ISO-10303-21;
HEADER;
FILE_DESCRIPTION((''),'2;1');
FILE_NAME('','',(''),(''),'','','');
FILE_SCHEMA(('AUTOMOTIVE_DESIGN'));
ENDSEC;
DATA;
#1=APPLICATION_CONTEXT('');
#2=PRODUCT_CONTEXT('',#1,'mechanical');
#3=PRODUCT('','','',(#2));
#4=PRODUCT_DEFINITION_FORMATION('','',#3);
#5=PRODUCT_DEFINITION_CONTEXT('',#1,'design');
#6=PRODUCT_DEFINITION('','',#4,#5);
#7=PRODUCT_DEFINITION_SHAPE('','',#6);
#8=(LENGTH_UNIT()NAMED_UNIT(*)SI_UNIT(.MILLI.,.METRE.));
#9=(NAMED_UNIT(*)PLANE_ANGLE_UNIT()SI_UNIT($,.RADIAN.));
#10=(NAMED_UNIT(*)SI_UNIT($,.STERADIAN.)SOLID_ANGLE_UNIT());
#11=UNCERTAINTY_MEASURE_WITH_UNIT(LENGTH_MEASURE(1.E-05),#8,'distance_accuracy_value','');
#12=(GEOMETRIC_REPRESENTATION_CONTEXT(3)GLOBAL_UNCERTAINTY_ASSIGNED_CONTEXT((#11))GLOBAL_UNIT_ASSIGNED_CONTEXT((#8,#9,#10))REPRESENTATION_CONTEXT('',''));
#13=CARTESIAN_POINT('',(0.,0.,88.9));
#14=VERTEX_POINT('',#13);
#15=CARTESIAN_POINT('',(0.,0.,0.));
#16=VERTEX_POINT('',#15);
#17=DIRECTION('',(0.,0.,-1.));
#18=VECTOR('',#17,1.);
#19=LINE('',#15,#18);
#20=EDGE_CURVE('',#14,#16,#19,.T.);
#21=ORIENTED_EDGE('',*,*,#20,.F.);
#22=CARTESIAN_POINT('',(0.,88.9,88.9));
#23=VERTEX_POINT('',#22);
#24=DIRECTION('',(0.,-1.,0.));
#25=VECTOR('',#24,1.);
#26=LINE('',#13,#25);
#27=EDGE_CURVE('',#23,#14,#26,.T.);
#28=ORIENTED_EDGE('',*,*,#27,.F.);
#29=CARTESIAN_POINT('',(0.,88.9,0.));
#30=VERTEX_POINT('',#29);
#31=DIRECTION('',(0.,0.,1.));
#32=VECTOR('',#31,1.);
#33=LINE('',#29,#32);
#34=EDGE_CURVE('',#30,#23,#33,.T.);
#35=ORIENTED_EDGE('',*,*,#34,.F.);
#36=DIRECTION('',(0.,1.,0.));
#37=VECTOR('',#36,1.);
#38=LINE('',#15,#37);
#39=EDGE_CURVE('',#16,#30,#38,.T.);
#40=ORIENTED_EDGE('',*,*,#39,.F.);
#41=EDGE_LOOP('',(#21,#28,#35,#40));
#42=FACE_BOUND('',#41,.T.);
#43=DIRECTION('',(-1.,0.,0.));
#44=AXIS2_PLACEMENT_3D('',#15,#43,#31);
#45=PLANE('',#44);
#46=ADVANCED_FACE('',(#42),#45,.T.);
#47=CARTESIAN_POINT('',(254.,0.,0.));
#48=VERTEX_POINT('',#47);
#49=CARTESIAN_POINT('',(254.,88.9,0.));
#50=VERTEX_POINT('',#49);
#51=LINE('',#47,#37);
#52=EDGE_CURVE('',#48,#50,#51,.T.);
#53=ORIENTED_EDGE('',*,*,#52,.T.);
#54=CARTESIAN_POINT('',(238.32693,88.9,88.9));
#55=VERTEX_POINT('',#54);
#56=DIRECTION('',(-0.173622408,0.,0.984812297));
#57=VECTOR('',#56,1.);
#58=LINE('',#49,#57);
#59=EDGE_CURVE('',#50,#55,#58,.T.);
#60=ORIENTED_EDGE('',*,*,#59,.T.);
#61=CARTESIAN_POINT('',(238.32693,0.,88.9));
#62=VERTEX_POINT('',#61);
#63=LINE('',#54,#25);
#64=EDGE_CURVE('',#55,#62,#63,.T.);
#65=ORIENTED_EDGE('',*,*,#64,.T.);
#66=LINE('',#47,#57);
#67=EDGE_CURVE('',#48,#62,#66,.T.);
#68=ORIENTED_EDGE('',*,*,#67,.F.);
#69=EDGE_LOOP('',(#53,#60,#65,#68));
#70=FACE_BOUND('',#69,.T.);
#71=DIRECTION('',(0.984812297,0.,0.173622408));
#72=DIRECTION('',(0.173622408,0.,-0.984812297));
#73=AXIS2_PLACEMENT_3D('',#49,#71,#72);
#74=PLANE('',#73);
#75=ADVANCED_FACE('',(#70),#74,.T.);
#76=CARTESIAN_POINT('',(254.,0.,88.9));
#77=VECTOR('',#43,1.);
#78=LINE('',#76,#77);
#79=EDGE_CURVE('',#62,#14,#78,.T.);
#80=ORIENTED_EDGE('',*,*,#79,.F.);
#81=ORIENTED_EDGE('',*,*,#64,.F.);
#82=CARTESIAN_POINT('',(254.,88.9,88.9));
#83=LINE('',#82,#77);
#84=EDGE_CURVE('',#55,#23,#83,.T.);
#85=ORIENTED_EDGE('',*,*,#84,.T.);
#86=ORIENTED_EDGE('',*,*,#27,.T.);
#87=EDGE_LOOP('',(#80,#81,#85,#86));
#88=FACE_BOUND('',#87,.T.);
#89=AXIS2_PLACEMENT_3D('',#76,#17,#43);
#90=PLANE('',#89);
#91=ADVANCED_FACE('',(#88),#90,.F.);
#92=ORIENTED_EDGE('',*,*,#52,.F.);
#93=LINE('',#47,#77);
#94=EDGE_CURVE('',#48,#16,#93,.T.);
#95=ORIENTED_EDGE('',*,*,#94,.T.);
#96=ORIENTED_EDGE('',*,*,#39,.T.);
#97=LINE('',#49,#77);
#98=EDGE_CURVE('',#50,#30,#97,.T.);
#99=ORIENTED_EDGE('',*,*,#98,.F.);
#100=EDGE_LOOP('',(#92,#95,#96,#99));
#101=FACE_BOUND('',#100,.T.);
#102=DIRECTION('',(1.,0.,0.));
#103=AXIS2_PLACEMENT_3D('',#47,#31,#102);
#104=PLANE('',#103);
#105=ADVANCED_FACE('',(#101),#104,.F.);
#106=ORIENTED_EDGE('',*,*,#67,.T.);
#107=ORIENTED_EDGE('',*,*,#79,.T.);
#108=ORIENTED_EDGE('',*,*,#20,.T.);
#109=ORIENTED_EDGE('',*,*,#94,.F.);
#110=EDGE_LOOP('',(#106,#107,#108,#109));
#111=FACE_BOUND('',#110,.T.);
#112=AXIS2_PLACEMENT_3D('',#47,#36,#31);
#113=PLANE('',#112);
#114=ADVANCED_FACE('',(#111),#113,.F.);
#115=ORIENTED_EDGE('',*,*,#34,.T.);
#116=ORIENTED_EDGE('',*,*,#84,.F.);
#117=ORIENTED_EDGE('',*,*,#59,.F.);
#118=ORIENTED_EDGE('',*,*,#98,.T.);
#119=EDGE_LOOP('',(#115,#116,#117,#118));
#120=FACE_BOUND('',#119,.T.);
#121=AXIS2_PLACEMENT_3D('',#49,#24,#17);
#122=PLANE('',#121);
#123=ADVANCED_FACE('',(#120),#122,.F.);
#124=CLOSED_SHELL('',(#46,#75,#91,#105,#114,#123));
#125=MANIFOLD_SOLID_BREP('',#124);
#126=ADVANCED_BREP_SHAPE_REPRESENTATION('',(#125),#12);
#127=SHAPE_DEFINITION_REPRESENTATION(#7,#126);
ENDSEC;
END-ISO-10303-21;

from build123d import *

# Parameters (mm, degrees)
SKETCH1_W           = 88.9
SKETCH1_H           = 88.9
BOSS_EXTRUDE1_DEPTH = 254
CUT_EXTRUDE1_DEPTH  = 88.9


with BuildPart() as part:
    # Sketch1 → Boss-Extrude1 (new body)
    with BuildSketch(Plane.YZ):
        with Locations((44.45, 44.45)):
            Rectangle(SKETCH1_W, SKETCH1_H)
    extrude(amount=BOSS_EXTRUDE1_DEPTH)

    # Sketch2 → Cut-Extrude1 (cut)
    with BuildSketch(Plane(origin=(0, 0, 0), x_dir=(-1, 0, 0), z_dir=(0, 1, 0))):
        Polygon((-254, 0), (-238.32693, 88.9), (-254, 88.9), align=None)
    extrude(amount=CUT_EXTRUDE1_DEPTH, mode=Mode.SUBTRACT)


solid = part.part
